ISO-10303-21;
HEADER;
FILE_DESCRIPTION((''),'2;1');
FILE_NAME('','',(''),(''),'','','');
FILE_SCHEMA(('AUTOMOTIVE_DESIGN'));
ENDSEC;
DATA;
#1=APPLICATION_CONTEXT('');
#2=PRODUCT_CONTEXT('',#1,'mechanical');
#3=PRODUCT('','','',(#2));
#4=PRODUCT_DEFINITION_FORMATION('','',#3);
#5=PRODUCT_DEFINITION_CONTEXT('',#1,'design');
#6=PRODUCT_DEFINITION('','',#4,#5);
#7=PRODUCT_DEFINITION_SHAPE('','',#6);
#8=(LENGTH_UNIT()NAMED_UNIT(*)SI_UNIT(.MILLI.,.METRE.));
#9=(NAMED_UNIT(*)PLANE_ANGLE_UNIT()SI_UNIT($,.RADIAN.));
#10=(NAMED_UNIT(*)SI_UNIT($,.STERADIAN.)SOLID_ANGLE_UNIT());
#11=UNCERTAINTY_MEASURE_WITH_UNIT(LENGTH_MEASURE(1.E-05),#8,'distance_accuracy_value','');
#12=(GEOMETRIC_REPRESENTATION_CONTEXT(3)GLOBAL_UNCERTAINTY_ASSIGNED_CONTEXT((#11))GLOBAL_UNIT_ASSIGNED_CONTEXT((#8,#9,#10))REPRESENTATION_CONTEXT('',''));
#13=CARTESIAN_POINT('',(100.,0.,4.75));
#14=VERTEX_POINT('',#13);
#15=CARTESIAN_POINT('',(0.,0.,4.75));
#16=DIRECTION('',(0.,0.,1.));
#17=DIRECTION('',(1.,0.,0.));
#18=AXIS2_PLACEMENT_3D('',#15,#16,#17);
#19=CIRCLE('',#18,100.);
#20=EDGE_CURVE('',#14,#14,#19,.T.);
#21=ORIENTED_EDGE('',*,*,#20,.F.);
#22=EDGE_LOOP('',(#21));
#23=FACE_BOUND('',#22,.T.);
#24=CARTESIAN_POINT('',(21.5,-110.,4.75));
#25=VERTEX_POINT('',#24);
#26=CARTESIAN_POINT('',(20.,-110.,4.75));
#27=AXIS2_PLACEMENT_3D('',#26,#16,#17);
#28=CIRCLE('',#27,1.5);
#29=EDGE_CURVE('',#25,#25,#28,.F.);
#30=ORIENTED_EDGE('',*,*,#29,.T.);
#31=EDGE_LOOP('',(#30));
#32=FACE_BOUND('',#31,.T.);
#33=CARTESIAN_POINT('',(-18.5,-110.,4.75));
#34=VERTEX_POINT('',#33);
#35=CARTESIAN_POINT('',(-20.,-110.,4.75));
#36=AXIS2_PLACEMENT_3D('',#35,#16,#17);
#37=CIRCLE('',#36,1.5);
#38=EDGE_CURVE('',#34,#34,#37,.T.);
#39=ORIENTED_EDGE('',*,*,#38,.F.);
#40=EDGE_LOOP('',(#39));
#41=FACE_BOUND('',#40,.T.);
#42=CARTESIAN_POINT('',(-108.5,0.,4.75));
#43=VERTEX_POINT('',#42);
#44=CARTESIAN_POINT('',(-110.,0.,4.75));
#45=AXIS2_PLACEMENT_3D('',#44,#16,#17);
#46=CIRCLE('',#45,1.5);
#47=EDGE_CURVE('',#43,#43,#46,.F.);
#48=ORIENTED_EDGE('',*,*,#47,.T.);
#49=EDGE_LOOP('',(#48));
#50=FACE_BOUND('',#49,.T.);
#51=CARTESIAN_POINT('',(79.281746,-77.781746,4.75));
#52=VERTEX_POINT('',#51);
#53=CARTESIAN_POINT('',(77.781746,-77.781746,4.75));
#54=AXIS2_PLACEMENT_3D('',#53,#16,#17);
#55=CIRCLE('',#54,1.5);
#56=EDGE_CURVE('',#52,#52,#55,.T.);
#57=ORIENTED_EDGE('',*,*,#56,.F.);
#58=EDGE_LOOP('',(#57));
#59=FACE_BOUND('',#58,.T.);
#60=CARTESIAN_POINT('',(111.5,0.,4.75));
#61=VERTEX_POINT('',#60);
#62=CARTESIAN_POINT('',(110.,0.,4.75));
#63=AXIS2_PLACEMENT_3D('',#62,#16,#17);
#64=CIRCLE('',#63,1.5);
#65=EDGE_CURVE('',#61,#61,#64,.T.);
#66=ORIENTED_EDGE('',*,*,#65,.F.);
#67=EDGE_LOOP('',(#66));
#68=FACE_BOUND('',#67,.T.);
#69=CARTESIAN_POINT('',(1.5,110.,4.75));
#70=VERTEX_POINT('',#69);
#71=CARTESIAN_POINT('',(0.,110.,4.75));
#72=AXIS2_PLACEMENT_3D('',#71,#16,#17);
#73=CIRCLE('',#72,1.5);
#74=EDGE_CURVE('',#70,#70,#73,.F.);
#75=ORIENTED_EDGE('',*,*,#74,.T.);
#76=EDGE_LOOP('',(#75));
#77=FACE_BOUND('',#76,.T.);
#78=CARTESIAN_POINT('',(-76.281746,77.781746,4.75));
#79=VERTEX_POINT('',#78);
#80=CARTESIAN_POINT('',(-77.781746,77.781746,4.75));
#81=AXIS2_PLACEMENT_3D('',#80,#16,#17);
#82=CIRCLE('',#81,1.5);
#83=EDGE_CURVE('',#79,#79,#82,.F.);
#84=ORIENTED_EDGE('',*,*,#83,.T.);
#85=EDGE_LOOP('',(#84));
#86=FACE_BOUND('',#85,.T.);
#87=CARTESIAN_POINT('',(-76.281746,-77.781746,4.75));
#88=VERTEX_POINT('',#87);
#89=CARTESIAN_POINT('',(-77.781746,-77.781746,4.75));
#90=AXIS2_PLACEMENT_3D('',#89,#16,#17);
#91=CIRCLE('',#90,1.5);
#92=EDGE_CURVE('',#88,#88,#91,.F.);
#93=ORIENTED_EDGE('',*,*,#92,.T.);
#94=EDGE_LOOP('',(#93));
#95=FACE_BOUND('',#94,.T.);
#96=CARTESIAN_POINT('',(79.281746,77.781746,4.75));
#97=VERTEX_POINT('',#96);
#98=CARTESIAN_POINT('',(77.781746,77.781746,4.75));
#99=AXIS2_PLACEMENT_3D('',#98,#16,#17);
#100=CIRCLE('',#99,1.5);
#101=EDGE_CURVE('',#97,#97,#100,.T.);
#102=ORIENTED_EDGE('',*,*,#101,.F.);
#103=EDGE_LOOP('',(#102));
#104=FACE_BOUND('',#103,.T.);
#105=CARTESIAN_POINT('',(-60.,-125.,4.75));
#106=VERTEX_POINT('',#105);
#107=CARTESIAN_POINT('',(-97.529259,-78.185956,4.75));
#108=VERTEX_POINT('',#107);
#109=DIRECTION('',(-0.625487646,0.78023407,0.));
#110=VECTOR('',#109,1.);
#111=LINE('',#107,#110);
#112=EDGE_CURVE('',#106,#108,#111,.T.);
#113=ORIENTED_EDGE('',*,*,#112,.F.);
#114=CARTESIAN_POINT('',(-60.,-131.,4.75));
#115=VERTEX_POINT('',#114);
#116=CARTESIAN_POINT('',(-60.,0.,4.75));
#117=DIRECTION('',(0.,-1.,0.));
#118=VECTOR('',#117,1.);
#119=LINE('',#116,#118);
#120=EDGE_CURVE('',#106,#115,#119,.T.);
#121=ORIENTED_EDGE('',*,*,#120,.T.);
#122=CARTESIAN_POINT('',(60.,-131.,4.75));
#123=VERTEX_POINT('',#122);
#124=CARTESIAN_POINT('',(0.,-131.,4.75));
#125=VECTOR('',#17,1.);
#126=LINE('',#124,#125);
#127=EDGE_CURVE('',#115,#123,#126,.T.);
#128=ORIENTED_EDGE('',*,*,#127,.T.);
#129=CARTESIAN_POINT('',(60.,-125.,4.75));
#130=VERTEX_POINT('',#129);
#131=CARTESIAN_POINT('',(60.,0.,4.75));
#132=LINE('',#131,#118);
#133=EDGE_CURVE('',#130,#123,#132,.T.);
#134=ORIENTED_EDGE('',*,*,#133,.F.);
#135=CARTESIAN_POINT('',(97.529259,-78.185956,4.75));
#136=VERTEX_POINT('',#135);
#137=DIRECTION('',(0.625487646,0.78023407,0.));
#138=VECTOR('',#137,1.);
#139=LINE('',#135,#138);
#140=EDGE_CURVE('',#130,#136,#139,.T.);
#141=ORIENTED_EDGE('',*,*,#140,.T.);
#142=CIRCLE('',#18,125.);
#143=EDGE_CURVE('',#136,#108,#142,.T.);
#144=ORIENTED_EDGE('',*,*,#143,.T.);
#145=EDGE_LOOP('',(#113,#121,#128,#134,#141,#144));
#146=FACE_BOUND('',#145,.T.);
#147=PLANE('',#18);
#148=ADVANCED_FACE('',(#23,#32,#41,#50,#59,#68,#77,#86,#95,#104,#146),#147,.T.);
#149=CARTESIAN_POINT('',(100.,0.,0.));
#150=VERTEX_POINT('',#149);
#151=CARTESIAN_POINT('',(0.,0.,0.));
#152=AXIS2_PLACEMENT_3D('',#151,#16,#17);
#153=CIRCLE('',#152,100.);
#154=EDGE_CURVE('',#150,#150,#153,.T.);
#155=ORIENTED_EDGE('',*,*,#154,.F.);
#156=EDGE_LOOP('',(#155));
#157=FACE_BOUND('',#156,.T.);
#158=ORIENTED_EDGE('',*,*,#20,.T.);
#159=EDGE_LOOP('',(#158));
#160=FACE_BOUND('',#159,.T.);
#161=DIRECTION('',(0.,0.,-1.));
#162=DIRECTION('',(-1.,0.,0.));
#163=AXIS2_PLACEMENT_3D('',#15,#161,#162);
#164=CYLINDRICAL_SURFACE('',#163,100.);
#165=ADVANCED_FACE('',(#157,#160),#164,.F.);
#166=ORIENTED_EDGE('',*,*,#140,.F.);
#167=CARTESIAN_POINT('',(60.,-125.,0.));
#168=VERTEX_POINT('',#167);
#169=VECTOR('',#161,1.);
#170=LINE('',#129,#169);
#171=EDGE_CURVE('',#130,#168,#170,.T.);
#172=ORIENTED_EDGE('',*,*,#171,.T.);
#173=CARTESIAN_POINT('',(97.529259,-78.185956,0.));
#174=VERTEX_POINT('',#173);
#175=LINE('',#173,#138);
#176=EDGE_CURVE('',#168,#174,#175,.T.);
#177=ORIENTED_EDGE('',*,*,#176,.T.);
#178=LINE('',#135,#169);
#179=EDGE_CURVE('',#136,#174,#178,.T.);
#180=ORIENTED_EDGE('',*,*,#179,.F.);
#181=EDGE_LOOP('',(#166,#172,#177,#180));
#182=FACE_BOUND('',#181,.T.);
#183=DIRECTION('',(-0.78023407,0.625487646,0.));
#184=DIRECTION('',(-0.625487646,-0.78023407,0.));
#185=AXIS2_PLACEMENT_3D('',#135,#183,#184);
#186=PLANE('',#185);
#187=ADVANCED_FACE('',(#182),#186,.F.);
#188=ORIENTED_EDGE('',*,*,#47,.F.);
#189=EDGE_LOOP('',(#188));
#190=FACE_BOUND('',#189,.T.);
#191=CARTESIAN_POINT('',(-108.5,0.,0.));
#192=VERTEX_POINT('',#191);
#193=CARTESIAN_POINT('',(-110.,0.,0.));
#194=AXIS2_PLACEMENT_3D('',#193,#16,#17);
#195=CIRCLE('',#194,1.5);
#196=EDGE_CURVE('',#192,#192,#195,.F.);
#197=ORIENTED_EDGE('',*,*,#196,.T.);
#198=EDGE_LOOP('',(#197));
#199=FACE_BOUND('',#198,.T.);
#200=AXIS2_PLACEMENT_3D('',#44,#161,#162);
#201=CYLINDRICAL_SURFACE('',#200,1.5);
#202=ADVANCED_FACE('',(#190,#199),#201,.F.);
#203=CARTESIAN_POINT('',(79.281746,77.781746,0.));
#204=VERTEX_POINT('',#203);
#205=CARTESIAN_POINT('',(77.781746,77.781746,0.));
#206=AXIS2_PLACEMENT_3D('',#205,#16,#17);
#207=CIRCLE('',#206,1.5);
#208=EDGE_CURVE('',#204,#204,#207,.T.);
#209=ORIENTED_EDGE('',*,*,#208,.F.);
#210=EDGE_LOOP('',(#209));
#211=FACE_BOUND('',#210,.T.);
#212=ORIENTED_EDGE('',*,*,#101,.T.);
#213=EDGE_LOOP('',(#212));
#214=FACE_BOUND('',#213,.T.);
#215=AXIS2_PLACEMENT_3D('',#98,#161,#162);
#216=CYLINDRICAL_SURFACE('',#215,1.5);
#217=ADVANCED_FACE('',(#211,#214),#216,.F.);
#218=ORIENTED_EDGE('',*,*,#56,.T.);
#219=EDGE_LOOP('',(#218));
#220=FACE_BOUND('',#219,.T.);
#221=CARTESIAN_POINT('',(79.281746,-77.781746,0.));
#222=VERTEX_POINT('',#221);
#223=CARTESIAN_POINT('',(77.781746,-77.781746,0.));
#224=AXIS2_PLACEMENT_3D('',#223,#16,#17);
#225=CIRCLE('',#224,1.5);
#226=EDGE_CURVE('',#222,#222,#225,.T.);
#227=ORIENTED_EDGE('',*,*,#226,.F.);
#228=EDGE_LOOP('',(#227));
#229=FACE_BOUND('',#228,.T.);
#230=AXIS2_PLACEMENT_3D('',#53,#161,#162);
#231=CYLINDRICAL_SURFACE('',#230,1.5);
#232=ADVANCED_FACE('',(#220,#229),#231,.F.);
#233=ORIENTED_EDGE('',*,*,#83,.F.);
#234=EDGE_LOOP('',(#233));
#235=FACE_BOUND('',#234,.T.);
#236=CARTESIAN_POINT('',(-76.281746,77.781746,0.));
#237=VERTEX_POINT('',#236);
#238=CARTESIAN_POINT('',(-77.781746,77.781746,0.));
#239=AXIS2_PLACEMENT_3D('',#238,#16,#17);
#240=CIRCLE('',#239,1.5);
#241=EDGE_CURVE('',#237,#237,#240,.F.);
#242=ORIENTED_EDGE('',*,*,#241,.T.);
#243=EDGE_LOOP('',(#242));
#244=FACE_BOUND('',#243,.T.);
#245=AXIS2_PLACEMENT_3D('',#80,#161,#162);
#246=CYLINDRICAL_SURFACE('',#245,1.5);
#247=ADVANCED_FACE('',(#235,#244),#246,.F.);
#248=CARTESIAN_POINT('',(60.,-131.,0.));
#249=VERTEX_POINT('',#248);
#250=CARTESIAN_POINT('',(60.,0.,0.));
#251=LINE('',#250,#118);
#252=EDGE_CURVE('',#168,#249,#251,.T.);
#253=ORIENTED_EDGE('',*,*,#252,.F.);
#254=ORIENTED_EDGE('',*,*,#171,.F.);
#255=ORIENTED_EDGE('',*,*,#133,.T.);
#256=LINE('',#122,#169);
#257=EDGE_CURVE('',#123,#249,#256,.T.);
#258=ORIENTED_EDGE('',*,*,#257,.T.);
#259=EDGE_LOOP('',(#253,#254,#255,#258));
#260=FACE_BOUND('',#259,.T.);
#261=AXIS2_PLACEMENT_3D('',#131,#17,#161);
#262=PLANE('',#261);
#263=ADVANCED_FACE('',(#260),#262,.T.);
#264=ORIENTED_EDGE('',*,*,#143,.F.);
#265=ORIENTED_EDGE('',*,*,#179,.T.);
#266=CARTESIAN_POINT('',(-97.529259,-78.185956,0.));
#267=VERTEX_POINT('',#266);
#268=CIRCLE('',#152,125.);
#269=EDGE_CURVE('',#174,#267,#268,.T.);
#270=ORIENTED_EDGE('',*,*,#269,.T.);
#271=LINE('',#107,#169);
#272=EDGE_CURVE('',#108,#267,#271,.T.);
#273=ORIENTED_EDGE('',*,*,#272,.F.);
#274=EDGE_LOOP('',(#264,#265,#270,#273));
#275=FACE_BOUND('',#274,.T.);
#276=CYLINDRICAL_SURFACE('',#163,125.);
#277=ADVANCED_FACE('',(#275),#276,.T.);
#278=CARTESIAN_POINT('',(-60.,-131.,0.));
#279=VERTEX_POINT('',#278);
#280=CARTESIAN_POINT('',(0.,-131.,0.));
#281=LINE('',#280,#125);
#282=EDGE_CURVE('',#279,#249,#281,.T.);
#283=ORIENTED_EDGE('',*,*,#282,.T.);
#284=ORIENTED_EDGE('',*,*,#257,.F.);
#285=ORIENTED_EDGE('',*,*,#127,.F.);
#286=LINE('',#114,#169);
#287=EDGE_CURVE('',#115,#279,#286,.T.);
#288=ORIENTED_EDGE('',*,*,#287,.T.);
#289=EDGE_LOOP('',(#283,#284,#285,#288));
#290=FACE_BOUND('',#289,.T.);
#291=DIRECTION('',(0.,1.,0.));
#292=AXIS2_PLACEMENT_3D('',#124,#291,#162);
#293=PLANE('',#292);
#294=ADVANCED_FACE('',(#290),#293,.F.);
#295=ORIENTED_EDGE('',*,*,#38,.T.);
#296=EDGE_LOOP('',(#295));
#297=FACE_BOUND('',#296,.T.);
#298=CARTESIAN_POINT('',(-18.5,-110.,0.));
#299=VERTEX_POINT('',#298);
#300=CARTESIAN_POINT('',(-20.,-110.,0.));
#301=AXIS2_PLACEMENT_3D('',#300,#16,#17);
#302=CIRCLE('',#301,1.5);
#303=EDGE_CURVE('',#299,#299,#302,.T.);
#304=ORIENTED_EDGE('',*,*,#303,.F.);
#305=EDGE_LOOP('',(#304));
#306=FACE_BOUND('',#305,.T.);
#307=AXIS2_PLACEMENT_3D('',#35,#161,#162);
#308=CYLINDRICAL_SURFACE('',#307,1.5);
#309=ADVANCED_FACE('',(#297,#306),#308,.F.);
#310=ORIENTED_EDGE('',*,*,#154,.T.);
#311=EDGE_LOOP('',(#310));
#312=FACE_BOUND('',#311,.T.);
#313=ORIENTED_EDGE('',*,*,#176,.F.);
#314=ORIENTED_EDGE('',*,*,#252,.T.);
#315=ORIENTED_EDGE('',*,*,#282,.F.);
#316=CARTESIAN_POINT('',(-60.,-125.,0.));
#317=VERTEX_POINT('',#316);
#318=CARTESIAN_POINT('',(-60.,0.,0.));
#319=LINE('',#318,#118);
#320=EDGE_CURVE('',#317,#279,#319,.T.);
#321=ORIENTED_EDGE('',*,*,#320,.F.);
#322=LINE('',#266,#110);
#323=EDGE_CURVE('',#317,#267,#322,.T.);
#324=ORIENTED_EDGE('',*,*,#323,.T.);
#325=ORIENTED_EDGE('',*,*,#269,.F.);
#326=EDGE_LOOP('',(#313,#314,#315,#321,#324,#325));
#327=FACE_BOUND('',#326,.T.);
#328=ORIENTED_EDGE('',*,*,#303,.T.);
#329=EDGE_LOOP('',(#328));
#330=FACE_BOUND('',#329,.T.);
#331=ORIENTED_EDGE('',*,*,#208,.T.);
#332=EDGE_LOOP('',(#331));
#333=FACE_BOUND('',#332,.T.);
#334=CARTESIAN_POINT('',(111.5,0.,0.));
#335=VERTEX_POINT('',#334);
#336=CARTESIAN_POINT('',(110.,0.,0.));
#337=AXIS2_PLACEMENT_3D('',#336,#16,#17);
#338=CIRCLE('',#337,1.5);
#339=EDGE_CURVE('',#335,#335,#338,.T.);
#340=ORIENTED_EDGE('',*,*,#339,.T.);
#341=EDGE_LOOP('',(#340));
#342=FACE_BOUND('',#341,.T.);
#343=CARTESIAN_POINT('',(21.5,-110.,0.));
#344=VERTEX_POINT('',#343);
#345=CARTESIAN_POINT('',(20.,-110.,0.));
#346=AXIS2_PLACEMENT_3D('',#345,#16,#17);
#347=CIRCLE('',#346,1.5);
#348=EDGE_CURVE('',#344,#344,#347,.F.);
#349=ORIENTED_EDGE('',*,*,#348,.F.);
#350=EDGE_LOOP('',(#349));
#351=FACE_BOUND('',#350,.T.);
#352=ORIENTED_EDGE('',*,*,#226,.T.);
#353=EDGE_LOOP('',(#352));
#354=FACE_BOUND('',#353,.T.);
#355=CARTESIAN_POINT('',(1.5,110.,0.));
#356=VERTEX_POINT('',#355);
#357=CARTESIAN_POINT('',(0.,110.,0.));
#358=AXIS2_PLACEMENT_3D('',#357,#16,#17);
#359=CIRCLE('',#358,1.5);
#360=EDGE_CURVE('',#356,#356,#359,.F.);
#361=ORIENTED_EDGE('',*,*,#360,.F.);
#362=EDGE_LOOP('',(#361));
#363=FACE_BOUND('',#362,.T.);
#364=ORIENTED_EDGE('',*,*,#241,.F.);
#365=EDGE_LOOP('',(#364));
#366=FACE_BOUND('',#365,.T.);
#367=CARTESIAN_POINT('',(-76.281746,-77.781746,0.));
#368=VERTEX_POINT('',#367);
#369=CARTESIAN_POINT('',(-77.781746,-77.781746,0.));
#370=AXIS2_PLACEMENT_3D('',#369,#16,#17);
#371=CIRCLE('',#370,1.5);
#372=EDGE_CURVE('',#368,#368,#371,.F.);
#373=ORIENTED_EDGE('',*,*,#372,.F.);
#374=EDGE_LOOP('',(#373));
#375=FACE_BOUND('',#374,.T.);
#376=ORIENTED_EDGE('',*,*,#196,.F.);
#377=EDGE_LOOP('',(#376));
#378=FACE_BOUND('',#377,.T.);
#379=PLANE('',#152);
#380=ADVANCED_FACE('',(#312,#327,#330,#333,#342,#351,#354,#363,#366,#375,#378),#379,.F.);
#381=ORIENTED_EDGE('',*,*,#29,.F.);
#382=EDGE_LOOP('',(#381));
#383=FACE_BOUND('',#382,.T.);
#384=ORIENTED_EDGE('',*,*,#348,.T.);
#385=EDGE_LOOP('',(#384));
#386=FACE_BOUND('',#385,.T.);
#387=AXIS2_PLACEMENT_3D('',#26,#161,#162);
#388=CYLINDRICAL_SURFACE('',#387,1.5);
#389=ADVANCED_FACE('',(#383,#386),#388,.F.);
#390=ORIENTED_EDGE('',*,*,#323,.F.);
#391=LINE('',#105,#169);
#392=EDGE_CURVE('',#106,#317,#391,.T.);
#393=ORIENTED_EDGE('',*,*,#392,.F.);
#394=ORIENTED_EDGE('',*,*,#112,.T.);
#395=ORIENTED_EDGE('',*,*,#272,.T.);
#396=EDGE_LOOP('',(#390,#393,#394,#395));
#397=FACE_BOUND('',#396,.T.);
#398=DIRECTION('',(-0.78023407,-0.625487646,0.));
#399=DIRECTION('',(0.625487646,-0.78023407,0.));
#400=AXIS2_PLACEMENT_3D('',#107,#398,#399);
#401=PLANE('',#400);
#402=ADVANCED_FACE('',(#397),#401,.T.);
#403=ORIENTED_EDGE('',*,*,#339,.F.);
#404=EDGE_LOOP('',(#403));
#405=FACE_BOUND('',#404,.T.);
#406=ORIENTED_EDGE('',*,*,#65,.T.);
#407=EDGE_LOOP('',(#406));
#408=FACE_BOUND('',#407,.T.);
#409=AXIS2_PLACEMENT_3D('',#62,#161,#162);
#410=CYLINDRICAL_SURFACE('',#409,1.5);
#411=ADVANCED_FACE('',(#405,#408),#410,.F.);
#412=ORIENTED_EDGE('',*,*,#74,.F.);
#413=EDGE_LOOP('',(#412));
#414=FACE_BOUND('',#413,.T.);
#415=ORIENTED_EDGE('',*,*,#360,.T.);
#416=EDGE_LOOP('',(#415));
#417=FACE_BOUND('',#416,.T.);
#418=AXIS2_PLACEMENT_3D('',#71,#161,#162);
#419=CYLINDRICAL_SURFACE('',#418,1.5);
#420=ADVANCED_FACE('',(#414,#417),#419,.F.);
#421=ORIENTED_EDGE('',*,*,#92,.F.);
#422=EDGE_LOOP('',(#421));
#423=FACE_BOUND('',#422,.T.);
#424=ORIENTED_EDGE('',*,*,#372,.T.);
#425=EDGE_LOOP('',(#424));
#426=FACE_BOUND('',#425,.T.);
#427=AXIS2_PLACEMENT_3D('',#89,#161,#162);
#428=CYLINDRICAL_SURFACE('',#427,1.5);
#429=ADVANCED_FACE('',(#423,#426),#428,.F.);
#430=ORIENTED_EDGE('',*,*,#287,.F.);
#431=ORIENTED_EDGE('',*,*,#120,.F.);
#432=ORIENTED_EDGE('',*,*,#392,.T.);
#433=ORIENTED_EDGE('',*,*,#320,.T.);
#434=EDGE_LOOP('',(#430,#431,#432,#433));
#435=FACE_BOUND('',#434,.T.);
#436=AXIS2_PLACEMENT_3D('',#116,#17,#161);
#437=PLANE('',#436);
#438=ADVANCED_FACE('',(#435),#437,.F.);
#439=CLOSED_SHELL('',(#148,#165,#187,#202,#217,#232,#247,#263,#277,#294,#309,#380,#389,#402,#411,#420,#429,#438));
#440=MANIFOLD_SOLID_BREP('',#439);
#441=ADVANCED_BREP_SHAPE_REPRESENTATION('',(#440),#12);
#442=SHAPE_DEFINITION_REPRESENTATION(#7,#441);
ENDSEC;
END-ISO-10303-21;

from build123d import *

# Parameters (mm, degrees)
SKETCH1_R           = 1.5
SKETCH1_R_2         = 100
BOSS_EXTRUDE1_DEPTH = 4.75


with BuildPart() as part:
    # Sketch1 → Boss-Extrude1 (new body)
    with BuildSketch(Plane.XY):
        with BuildLine():
            Line((-97.529258777, -78.185955788), (-60, -125.000000002))
            Line((-60, -125.000000002), (-60, -131.000000002))
            Line((-60, -131.000000002), (60, -131.000000002))
            Line((60, -131.000000002), (60, -125.000000002))
            Line((60, -125.000000002), (97.529258777, -78.185955788))
            ThreePointArc((97.529258777, -78.185955788), (0, 125), (-97.529258777, -78.185955788))
        make_face()
        with Locations((-77.781745931, -77.781745931)):
            Circle(SKETCH1_R, mode=Mode.SUBTRACT)
        with Locations((-20, -110)):
            Circle(SKETCH1_R, mode=Mode.SUBTRACT)
        with Locations((20, -110)):
            Circle(SKETCH1_R, mode=Mode.SUBTRACT)
        with Locations((77.781745931, -77.781745931)):
            Circle(SKETCH1_R, mode=Mode.SUBTRACT)
        with Locations((-110, 0)):
            Circle(SKETCH1_R, mode=Mode.SUBTRACT)
        with Locations((-77.781745931, 77.781745931)):
            Circle(SKETCH1_R, mode=Mode.SUBTRACT)
        Circle(SKETCH1_R_2, mode=Mode.SUBTRACT)
        with Locations((110, 0)):
            Circle(SKETCH1_R, mode=Mode.SUBTRACT)
        with Locations((0, 110)):
            Circle(SKETCH1_R, mode=Mode.SUBTRACT)
        with Locations((77.781745931, 77.781745931)):
            Circle(SKETCH1_R, mode=Mode.SUBTRACT)
    extrude(amount=BOSS_EXTRUDE1_DEPTH)


solid = part.part
